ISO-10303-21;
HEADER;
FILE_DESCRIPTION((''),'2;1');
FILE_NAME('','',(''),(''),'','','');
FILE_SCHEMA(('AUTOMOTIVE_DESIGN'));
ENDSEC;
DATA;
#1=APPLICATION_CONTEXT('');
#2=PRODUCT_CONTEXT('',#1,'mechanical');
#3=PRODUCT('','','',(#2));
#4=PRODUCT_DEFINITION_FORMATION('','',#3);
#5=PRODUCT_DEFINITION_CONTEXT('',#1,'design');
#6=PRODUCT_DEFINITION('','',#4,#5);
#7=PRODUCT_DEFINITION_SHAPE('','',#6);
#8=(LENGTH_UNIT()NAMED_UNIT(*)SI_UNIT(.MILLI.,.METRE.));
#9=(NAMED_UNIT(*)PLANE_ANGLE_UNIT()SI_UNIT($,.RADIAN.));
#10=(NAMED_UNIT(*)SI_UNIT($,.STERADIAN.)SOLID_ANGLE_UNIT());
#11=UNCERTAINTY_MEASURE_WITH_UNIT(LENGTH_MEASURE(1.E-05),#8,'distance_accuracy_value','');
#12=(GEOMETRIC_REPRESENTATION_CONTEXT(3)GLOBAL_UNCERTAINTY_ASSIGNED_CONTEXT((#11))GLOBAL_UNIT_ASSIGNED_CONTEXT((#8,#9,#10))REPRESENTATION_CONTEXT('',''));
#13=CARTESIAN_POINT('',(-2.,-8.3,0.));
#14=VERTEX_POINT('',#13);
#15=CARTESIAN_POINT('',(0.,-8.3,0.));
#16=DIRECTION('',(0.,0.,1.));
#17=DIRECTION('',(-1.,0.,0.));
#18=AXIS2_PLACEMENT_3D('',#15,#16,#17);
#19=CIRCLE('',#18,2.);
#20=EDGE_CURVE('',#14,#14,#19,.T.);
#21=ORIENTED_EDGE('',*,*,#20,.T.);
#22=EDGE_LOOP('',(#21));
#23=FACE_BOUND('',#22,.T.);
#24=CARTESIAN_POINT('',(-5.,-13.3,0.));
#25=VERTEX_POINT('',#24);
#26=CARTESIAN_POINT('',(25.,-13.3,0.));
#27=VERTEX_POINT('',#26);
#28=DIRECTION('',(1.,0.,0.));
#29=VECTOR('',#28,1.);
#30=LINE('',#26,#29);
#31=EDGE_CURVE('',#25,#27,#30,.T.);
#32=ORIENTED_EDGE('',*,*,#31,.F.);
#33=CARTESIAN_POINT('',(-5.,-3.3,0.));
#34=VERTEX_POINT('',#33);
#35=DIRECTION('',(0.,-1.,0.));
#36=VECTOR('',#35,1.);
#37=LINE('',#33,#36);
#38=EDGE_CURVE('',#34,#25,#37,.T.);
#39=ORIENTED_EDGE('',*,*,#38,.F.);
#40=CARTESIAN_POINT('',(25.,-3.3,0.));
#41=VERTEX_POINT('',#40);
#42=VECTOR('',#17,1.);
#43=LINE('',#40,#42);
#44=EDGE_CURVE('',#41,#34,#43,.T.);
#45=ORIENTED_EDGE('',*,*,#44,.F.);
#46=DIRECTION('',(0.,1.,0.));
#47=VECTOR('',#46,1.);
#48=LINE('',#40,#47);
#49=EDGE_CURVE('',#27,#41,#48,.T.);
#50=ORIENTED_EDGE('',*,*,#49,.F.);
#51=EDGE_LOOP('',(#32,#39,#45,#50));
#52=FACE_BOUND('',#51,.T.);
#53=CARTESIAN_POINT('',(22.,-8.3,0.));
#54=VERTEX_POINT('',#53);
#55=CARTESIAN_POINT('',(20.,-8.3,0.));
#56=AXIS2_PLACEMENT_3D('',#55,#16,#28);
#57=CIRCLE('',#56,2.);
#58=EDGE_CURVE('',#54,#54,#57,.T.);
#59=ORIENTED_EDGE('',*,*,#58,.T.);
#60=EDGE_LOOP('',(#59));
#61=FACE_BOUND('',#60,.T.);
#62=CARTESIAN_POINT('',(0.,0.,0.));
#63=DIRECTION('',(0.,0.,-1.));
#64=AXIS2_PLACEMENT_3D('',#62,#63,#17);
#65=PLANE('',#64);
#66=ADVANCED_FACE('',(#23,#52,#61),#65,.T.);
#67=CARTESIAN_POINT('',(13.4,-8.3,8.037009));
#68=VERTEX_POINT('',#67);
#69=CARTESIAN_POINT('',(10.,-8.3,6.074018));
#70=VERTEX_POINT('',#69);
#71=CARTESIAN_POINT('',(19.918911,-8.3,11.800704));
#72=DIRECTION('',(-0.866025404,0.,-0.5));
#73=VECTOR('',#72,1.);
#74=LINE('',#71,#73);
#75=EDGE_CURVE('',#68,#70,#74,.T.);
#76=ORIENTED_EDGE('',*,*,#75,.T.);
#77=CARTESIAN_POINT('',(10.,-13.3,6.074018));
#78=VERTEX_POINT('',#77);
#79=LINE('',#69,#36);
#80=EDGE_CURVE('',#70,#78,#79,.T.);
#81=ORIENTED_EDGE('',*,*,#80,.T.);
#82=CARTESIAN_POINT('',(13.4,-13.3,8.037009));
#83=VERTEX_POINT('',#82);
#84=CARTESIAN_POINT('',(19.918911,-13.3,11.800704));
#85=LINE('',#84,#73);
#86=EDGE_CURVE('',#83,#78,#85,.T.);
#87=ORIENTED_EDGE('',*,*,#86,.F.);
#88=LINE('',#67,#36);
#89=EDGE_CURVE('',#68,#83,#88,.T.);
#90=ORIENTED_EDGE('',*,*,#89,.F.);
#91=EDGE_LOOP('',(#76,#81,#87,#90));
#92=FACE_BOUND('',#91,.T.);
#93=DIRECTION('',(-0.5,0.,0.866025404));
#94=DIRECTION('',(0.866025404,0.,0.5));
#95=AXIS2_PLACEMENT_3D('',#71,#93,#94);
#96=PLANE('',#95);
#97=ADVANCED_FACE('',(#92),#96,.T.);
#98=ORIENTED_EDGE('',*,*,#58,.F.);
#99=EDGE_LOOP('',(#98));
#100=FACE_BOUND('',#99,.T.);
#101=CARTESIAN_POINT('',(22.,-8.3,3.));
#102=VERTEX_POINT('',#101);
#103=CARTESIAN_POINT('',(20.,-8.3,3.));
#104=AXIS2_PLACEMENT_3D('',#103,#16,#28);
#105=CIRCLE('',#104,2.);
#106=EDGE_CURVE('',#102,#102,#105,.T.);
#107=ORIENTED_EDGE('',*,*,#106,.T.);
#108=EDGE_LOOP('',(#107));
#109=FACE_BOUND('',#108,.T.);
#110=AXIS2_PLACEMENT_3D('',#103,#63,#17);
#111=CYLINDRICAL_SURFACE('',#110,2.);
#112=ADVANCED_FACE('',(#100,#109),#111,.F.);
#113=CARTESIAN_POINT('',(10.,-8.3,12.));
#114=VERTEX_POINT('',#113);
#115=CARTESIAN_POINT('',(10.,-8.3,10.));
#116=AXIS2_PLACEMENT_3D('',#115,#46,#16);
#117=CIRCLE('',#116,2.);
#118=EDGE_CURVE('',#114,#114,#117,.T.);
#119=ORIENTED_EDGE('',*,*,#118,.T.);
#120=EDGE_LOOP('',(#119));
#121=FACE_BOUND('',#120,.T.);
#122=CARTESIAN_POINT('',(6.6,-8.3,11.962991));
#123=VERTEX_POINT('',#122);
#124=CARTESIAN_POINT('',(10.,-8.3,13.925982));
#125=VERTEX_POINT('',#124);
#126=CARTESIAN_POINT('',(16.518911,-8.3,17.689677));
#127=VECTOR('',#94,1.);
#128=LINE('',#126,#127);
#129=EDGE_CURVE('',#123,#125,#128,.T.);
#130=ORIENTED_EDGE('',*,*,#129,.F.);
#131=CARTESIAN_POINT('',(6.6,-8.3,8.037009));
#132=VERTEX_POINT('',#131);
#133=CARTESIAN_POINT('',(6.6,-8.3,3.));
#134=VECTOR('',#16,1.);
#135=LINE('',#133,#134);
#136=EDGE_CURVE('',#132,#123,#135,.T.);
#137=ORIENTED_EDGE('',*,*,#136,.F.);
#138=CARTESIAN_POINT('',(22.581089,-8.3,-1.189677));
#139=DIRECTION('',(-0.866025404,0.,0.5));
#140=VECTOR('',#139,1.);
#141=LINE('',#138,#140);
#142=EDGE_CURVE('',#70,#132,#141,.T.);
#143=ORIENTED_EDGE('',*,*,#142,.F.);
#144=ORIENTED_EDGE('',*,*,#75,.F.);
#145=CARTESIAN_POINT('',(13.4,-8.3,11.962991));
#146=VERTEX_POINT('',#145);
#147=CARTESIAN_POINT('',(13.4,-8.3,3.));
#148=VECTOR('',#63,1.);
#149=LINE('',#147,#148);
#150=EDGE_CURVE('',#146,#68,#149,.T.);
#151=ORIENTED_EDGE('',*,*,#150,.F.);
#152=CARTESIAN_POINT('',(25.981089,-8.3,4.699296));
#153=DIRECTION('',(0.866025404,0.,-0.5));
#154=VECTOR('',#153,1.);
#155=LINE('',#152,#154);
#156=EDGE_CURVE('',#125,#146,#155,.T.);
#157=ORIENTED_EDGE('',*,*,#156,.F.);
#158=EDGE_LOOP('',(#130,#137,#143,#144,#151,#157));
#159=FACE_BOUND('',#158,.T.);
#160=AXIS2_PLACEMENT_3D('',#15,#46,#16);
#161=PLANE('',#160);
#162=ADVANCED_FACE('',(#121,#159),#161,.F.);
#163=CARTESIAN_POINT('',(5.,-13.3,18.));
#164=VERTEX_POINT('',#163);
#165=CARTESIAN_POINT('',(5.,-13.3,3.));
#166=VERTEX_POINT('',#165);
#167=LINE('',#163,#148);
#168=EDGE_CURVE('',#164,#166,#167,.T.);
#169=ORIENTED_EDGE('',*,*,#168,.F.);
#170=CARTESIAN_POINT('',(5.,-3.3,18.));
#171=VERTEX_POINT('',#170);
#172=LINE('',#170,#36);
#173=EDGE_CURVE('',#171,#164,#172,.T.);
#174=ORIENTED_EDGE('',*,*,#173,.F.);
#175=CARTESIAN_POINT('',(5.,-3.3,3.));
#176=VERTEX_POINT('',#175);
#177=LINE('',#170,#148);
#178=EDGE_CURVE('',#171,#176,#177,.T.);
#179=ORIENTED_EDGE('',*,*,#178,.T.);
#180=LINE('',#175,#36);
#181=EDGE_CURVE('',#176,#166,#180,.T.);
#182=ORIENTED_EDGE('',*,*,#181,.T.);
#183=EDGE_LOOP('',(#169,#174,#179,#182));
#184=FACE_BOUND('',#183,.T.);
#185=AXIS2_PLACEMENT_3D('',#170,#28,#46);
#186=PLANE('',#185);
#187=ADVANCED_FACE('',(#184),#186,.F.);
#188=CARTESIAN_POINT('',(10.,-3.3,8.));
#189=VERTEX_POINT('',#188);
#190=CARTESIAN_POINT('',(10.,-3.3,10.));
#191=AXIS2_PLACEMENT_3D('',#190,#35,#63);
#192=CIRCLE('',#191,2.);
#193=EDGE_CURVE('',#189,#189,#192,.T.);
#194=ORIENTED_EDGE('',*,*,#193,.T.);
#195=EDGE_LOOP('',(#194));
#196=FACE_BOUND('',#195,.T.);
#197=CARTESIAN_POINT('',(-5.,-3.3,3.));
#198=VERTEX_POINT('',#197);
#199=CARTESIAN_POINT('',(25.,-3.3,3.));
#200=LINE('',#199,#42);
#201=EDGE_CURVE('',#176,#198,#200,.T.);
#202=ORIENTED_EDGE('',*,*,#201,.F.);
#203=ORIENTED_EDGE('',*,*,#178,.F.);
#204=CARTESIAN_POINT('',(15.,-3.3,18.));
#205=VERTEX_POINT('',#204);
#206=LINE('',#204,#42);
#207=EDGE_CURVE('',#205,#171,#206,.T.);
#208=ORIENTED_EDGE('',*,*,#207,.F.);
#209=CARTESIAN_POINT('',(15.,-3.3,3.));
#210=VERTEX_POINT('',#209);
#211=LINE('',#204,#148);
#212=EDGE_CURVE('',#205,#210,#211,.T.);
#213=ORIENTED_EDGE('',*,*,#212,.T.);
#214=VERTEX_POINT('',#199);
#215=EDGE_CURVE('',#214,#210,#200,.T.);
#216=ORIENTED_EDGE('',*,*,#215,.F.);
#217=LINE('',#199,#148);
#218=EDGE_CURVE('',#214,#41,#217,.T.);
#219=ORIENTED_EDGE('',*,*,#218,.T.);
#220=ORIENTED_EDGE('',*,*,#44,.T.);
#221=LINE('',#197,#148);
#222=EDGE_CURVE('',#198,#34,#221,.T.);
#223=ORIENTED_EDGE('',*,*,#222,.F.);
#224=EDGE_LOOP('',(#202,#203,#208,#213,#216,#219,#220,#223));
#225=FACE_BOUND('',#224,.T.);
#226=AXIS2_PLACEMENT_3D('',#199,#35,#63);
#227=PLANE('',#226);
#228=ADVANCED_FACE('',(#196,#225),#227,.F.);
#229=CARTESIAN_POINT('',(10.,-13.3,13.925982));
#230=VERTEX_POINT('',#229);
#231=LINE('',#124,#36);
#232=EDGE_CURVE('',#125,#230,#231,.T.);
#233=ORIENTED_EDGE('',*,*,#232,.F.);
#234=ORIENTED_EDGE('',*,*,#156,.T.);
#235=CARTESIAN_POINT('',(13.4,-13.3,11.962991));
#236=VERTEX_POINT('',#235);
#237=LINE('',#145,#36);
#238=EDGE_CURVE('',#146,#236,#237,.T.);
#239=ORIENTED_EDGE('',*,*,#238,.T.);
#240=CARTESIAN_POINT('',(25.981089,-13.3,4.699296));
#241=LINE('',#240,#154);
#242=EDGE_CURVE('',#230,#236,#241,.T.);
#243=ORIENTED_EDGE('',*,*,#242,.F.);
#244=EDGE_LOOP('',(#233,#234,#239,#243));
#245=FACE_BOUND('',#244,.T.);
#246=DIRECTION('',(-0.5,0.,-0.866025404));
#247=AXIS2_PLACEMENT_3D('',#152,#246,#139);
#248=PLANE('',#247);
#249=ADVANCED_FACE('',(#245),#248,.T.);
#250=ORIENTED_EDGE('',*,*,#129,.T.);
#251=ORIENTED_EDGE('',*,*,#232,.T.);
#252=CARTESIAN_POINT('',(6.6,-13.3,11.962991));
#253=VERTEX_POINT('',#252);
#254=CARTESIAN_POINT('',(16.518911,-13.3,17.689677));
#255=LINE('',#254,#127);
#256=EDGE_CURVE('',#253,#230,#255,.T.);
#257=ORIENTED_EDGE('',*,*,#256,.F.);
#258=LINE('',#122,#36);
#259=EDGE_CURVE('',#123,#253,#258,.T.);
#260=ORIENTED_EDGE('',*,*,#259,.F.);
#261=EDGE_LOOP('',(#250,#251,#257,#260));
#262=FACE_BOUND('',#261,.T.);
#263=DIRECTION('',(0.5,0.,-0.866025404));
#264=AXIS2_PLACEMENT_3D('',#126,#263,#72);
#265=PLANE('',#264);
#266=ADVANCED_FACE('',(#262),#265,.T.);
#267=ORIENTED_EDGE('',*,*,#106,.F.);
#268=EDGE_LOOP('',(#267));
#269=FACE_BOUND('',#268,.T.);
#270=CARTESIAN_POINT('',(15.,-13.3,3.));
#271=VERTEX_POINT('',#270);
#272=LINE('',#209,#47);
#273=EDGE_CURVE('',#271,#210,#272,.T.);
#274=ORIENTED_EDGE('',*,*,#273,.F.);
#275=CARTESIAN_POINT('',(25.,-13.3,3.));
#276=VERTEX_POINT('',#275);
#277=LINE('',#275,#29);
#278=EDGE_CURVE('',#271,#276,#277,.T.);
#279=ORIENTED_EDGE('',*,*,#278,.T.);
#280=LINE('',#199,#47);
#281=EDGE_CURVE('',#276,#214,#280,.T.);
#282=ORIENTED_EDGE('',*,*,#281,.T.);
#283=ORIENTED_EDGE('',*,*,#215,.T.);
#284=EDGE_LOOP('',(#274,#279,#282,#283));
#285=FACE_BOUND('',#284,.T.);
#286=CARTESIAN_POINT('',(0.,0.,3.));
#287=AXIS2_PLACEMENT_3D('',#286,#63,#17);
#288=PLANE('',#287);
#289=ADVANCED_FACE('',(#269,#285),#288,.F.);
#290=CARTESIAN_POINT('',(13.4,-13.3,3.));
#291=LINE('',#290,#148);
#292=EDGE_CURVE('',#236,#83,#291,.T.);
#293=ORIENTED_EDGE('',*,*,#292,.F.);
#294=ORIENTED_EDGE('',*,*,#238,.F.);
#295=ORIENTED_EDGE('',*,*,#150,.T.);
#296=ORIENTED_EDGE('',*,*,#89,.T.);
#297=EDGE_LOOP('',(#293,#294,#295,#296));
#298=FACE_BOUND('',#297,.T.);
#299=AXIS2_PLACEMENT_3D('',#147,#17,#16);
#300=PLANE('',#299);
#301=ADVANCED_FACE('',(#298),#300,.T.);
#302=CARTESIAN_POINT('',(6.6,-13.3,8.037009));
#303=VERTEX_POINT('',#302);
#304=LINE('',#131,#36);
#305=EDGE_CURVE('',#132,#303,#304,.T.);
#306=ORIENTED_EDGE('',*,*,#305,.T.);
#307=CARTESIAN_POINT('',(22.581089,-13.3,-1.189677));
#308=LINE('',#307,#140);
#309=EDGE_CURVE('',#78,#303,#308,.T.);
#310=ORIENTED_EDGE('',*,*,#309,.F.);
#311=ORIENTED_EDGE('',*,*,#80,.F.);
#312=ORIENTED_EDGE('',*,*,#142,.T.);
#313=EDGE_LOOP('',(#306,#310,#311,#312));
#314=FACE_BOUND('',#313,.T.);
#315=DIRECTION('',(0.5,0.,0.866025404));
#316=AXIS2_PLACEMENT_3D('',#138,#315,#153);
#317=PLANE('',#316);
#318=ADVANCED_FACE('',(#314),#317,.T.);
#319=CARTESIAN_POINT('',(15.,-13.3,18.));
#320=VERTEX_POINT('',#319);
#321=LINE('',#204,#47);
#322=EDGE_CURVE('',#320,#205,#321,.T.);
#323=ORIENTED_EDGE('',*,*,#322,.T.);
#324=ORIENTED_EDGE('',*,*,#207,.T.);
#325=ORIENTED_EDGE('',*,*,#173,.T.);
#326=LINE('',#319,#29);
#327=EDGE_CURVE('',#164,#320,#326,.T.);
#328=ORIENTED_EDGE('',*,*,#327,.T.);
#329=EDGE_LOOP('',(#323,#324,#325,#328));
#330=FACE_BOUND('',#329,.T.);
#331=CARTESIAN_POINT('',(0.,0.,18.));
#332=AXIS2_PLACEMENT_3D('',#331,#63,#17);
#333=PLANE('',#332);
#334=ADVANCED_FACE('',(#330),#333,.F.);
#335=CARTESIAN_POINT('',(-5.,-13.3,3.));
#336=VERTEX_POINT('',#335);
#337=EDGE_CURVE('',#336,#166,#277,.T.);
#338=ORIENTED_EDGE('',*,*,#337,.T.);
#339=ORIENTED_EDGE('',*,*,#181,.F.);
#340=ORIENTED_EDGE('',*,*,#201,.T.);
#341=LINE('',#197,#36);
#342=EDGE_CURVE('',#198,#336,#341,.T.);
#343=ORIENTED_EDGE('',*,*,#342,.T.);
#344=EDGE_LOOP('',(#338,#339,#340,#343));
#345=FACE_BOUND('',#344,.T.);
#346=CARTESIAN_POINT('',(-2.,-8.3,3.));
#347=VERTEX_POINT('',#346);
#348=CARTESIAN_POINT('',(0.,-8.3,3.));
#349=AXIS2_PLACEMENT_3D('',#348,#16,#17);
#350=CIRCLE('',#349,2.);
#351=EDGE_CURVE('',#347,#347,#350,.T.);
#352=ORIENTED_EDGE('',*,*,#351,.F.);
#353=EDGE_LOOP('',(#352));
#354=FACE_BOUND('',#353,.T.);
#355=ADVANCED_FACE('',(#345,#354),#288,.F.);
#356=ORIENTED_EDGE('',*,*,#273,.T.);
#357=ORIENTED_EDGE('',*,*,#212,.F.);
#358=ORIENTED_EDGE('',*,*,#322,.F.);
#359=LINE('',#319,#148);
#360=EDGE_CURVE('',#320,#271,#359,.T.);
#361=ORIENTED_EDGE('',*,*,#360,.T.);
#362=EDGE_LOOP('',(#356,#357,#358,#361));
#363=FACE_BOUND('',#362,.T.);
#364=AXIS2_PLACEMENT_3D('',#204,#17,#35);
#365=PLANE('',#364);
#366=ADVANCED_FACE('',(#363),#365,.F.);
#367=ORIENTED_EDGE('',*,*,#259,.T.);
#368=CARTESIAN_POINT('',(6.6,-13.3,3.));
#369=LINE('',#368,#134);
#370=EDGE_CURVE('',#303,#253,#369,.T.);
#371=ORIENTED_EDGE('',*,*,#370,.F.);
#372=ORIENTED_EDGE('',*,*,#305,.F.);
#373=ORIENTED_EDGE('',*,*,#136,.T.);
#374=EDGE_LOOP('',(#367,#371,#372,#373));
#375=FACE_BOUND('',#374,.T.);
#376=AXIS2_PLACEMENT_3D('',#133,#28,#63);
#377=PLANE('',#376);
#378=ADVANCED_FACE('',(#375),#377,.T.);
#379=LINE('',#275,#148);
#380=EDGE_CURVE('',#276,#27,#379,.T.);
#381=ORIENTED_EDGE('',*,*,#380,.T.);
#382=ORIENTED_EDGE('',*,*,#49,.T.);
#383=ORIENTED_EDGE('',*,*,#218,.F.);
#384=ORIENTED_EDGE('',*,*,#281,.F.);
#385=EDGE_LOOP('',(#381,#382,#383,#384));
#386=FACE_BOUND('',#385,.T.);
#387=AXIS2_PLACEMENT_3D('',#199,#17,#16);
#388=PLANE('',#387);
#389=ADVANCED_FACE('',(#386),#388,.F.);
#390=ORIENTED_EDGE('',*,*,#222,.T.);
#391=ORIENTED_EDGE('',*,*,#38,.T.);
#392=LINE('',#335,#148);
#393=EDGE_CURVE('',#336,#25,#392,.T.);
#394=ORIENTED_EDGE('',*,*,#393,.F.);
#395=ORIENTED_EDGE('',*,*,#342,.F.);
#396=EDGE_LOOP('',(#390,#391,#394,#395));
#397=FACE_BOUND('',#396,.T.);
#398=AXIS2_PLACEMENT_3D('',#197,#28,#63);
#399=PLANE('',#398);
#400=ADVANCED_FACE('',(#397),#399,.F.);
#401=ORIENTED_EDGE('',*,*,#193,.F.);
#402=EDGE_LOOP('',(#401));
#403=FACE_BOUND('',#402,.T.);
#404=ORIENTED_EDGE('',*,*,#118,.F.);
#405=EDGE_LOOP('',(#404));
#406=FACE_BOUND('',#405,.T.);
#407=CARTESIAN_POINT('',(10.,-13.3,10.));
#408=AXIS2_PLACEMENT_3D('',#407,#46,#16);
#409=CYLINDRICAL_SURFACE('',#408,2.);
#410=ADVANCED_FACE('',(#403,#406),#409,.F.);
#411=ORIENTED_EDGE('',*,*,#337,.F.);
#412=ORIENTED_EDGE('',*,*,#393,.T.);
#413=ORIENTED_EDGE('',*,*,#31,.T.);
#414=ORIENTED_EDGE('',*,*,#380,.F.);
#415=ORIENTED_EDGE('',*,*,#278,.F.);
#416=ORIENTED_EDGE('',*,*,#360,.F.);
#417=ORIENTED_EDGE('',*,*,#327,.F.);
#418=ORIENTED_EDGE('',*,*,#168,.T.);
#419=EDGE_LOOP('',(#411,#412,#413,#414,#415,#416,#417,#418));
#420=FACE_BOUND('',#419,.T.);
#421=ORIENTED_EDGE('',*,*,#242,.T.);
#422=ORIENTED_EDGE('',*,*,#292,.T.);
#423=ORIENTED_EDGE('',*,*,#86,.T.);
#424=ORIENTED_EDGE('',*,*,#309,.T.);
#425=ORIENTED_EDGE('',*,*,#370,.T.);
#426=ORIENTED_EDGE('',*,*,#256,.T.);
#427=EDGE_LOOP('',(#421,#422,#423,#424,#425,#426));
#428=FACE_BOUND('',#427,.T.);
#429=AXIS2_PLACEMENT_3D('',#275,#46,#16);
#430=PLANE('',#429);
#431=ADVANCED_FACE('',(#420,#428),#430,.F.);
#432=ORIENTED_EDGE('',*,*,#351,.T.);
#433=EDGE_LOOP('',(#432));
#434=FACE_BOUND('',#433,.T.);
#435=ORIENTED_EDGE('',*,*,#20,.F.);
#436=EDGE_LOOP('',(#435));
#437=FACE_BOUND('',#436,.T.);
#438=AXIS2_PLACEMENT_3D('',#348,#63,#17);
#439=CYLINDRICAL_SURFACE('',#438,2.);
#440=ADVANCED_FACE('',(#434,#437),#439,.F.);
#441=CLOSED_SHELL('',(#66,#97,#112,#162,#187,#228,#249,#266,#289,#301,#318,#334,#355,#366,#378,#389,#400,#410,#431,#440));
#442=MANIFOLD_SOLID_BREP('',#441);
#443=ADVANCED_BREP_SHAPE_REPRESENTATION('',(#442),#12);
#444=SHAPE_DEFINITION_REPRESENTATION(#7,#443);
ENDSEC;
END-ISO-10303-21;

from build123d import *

# Parameters (mm, degrees)
SKETCH1_W               = 30
SKETCH1_H               = 10
SKETCH1_R               = 2
BOSS_EXTRUDE1_DEPTH     = 3
SKETCH2_W               = 10
SKETCH2_H               = 10
BOSS_EXTRUDE2_DEPTH     = 15
CUT_EXTRUDE1_START      = -10
SKETCH3_R               = 2
CUT_EXTRUDE1_DEPTH      = 5
CUT_EXTRUDE2_DEPTH      = 33.388269481
CUT_EXTRUDE2_DEPTH_BACK = 33.388269481
SKETCH3_2_R             = 2


with BuildPart() as part:
    # Sketch1 → Boss-Extrude1 (new body)
    with BuildSketch(Plane.XY):
        with Locations((10, -8.3)):
            Rectangle(SKETCH1_W, SKETCH1_H)
        with Locations((20, -8.3)):
            Circle(SKETCH1_R, mode=Mode.SUBTRACT)
        with Locations(Location((0, -8.3, 0), (0, 0, 180))):
            Circle(SKETCH1_R, mode=Mode.SUBTRACT)
    extrude(amount=BOSS_EXTRUDE1_DEPTH)

    # Sketch2 → Boss-Extrude2 (add)
    with BuildSketch(Plane.XY.offset(3)):
        with Locations((10, -8.3)):
            Rectangle(SKETCH2_W, SKETCH2_H)
    extrude(amount=BOSS_EXTRUDE2_DEPTH)

    # Sketch3 → Cut-Extrude1 (cut)
    with BuildSketch(Plane(origin=(0, -3.3, 0), x_dir=(1, 0, 0), z_dir=(0, 1, 0)).offset(CUT_EXTRUDE1_START)):
        Polygon((10, -6.07401817), (6.6, -8.037009085), (6.6, -11.962990915), (10, -13.92598183), (13.4, -11.962990915), (13.4, -8.037009085), align=None)
        with Locations(Location((10, -10, 0), (0, 0, 270))):
            Circle(SKETCH3_R, mode=Mode.SUBTRACT)
    extrude(amount=CUT_EXTRUDE1_DEPTH, mode=Mode.SUBTRACT)

    # Sketch3<2> → Cut-Extrude2 (cut, two sides: drawn at the far end of the back side and taken through both)
    with BuildSketch(Plane(origin=(0, -3.3, 0), x_dir=(1, 0, 0), z_dir=(0, 1, 0)).offset(-CUT_EXTRUDE2_DEPTH_BACK)):
        with Locations(Location((10, -10, 0), (0, 0, 270))):
            Circle(SKETCH3_2_R)
    extrude(amount=CUT_EXTRUDE2_DEPTH + CUT_EXTRUDE2_DEPTH_BACK, mode=Mode.SUBTRACT)


solid = part.part
